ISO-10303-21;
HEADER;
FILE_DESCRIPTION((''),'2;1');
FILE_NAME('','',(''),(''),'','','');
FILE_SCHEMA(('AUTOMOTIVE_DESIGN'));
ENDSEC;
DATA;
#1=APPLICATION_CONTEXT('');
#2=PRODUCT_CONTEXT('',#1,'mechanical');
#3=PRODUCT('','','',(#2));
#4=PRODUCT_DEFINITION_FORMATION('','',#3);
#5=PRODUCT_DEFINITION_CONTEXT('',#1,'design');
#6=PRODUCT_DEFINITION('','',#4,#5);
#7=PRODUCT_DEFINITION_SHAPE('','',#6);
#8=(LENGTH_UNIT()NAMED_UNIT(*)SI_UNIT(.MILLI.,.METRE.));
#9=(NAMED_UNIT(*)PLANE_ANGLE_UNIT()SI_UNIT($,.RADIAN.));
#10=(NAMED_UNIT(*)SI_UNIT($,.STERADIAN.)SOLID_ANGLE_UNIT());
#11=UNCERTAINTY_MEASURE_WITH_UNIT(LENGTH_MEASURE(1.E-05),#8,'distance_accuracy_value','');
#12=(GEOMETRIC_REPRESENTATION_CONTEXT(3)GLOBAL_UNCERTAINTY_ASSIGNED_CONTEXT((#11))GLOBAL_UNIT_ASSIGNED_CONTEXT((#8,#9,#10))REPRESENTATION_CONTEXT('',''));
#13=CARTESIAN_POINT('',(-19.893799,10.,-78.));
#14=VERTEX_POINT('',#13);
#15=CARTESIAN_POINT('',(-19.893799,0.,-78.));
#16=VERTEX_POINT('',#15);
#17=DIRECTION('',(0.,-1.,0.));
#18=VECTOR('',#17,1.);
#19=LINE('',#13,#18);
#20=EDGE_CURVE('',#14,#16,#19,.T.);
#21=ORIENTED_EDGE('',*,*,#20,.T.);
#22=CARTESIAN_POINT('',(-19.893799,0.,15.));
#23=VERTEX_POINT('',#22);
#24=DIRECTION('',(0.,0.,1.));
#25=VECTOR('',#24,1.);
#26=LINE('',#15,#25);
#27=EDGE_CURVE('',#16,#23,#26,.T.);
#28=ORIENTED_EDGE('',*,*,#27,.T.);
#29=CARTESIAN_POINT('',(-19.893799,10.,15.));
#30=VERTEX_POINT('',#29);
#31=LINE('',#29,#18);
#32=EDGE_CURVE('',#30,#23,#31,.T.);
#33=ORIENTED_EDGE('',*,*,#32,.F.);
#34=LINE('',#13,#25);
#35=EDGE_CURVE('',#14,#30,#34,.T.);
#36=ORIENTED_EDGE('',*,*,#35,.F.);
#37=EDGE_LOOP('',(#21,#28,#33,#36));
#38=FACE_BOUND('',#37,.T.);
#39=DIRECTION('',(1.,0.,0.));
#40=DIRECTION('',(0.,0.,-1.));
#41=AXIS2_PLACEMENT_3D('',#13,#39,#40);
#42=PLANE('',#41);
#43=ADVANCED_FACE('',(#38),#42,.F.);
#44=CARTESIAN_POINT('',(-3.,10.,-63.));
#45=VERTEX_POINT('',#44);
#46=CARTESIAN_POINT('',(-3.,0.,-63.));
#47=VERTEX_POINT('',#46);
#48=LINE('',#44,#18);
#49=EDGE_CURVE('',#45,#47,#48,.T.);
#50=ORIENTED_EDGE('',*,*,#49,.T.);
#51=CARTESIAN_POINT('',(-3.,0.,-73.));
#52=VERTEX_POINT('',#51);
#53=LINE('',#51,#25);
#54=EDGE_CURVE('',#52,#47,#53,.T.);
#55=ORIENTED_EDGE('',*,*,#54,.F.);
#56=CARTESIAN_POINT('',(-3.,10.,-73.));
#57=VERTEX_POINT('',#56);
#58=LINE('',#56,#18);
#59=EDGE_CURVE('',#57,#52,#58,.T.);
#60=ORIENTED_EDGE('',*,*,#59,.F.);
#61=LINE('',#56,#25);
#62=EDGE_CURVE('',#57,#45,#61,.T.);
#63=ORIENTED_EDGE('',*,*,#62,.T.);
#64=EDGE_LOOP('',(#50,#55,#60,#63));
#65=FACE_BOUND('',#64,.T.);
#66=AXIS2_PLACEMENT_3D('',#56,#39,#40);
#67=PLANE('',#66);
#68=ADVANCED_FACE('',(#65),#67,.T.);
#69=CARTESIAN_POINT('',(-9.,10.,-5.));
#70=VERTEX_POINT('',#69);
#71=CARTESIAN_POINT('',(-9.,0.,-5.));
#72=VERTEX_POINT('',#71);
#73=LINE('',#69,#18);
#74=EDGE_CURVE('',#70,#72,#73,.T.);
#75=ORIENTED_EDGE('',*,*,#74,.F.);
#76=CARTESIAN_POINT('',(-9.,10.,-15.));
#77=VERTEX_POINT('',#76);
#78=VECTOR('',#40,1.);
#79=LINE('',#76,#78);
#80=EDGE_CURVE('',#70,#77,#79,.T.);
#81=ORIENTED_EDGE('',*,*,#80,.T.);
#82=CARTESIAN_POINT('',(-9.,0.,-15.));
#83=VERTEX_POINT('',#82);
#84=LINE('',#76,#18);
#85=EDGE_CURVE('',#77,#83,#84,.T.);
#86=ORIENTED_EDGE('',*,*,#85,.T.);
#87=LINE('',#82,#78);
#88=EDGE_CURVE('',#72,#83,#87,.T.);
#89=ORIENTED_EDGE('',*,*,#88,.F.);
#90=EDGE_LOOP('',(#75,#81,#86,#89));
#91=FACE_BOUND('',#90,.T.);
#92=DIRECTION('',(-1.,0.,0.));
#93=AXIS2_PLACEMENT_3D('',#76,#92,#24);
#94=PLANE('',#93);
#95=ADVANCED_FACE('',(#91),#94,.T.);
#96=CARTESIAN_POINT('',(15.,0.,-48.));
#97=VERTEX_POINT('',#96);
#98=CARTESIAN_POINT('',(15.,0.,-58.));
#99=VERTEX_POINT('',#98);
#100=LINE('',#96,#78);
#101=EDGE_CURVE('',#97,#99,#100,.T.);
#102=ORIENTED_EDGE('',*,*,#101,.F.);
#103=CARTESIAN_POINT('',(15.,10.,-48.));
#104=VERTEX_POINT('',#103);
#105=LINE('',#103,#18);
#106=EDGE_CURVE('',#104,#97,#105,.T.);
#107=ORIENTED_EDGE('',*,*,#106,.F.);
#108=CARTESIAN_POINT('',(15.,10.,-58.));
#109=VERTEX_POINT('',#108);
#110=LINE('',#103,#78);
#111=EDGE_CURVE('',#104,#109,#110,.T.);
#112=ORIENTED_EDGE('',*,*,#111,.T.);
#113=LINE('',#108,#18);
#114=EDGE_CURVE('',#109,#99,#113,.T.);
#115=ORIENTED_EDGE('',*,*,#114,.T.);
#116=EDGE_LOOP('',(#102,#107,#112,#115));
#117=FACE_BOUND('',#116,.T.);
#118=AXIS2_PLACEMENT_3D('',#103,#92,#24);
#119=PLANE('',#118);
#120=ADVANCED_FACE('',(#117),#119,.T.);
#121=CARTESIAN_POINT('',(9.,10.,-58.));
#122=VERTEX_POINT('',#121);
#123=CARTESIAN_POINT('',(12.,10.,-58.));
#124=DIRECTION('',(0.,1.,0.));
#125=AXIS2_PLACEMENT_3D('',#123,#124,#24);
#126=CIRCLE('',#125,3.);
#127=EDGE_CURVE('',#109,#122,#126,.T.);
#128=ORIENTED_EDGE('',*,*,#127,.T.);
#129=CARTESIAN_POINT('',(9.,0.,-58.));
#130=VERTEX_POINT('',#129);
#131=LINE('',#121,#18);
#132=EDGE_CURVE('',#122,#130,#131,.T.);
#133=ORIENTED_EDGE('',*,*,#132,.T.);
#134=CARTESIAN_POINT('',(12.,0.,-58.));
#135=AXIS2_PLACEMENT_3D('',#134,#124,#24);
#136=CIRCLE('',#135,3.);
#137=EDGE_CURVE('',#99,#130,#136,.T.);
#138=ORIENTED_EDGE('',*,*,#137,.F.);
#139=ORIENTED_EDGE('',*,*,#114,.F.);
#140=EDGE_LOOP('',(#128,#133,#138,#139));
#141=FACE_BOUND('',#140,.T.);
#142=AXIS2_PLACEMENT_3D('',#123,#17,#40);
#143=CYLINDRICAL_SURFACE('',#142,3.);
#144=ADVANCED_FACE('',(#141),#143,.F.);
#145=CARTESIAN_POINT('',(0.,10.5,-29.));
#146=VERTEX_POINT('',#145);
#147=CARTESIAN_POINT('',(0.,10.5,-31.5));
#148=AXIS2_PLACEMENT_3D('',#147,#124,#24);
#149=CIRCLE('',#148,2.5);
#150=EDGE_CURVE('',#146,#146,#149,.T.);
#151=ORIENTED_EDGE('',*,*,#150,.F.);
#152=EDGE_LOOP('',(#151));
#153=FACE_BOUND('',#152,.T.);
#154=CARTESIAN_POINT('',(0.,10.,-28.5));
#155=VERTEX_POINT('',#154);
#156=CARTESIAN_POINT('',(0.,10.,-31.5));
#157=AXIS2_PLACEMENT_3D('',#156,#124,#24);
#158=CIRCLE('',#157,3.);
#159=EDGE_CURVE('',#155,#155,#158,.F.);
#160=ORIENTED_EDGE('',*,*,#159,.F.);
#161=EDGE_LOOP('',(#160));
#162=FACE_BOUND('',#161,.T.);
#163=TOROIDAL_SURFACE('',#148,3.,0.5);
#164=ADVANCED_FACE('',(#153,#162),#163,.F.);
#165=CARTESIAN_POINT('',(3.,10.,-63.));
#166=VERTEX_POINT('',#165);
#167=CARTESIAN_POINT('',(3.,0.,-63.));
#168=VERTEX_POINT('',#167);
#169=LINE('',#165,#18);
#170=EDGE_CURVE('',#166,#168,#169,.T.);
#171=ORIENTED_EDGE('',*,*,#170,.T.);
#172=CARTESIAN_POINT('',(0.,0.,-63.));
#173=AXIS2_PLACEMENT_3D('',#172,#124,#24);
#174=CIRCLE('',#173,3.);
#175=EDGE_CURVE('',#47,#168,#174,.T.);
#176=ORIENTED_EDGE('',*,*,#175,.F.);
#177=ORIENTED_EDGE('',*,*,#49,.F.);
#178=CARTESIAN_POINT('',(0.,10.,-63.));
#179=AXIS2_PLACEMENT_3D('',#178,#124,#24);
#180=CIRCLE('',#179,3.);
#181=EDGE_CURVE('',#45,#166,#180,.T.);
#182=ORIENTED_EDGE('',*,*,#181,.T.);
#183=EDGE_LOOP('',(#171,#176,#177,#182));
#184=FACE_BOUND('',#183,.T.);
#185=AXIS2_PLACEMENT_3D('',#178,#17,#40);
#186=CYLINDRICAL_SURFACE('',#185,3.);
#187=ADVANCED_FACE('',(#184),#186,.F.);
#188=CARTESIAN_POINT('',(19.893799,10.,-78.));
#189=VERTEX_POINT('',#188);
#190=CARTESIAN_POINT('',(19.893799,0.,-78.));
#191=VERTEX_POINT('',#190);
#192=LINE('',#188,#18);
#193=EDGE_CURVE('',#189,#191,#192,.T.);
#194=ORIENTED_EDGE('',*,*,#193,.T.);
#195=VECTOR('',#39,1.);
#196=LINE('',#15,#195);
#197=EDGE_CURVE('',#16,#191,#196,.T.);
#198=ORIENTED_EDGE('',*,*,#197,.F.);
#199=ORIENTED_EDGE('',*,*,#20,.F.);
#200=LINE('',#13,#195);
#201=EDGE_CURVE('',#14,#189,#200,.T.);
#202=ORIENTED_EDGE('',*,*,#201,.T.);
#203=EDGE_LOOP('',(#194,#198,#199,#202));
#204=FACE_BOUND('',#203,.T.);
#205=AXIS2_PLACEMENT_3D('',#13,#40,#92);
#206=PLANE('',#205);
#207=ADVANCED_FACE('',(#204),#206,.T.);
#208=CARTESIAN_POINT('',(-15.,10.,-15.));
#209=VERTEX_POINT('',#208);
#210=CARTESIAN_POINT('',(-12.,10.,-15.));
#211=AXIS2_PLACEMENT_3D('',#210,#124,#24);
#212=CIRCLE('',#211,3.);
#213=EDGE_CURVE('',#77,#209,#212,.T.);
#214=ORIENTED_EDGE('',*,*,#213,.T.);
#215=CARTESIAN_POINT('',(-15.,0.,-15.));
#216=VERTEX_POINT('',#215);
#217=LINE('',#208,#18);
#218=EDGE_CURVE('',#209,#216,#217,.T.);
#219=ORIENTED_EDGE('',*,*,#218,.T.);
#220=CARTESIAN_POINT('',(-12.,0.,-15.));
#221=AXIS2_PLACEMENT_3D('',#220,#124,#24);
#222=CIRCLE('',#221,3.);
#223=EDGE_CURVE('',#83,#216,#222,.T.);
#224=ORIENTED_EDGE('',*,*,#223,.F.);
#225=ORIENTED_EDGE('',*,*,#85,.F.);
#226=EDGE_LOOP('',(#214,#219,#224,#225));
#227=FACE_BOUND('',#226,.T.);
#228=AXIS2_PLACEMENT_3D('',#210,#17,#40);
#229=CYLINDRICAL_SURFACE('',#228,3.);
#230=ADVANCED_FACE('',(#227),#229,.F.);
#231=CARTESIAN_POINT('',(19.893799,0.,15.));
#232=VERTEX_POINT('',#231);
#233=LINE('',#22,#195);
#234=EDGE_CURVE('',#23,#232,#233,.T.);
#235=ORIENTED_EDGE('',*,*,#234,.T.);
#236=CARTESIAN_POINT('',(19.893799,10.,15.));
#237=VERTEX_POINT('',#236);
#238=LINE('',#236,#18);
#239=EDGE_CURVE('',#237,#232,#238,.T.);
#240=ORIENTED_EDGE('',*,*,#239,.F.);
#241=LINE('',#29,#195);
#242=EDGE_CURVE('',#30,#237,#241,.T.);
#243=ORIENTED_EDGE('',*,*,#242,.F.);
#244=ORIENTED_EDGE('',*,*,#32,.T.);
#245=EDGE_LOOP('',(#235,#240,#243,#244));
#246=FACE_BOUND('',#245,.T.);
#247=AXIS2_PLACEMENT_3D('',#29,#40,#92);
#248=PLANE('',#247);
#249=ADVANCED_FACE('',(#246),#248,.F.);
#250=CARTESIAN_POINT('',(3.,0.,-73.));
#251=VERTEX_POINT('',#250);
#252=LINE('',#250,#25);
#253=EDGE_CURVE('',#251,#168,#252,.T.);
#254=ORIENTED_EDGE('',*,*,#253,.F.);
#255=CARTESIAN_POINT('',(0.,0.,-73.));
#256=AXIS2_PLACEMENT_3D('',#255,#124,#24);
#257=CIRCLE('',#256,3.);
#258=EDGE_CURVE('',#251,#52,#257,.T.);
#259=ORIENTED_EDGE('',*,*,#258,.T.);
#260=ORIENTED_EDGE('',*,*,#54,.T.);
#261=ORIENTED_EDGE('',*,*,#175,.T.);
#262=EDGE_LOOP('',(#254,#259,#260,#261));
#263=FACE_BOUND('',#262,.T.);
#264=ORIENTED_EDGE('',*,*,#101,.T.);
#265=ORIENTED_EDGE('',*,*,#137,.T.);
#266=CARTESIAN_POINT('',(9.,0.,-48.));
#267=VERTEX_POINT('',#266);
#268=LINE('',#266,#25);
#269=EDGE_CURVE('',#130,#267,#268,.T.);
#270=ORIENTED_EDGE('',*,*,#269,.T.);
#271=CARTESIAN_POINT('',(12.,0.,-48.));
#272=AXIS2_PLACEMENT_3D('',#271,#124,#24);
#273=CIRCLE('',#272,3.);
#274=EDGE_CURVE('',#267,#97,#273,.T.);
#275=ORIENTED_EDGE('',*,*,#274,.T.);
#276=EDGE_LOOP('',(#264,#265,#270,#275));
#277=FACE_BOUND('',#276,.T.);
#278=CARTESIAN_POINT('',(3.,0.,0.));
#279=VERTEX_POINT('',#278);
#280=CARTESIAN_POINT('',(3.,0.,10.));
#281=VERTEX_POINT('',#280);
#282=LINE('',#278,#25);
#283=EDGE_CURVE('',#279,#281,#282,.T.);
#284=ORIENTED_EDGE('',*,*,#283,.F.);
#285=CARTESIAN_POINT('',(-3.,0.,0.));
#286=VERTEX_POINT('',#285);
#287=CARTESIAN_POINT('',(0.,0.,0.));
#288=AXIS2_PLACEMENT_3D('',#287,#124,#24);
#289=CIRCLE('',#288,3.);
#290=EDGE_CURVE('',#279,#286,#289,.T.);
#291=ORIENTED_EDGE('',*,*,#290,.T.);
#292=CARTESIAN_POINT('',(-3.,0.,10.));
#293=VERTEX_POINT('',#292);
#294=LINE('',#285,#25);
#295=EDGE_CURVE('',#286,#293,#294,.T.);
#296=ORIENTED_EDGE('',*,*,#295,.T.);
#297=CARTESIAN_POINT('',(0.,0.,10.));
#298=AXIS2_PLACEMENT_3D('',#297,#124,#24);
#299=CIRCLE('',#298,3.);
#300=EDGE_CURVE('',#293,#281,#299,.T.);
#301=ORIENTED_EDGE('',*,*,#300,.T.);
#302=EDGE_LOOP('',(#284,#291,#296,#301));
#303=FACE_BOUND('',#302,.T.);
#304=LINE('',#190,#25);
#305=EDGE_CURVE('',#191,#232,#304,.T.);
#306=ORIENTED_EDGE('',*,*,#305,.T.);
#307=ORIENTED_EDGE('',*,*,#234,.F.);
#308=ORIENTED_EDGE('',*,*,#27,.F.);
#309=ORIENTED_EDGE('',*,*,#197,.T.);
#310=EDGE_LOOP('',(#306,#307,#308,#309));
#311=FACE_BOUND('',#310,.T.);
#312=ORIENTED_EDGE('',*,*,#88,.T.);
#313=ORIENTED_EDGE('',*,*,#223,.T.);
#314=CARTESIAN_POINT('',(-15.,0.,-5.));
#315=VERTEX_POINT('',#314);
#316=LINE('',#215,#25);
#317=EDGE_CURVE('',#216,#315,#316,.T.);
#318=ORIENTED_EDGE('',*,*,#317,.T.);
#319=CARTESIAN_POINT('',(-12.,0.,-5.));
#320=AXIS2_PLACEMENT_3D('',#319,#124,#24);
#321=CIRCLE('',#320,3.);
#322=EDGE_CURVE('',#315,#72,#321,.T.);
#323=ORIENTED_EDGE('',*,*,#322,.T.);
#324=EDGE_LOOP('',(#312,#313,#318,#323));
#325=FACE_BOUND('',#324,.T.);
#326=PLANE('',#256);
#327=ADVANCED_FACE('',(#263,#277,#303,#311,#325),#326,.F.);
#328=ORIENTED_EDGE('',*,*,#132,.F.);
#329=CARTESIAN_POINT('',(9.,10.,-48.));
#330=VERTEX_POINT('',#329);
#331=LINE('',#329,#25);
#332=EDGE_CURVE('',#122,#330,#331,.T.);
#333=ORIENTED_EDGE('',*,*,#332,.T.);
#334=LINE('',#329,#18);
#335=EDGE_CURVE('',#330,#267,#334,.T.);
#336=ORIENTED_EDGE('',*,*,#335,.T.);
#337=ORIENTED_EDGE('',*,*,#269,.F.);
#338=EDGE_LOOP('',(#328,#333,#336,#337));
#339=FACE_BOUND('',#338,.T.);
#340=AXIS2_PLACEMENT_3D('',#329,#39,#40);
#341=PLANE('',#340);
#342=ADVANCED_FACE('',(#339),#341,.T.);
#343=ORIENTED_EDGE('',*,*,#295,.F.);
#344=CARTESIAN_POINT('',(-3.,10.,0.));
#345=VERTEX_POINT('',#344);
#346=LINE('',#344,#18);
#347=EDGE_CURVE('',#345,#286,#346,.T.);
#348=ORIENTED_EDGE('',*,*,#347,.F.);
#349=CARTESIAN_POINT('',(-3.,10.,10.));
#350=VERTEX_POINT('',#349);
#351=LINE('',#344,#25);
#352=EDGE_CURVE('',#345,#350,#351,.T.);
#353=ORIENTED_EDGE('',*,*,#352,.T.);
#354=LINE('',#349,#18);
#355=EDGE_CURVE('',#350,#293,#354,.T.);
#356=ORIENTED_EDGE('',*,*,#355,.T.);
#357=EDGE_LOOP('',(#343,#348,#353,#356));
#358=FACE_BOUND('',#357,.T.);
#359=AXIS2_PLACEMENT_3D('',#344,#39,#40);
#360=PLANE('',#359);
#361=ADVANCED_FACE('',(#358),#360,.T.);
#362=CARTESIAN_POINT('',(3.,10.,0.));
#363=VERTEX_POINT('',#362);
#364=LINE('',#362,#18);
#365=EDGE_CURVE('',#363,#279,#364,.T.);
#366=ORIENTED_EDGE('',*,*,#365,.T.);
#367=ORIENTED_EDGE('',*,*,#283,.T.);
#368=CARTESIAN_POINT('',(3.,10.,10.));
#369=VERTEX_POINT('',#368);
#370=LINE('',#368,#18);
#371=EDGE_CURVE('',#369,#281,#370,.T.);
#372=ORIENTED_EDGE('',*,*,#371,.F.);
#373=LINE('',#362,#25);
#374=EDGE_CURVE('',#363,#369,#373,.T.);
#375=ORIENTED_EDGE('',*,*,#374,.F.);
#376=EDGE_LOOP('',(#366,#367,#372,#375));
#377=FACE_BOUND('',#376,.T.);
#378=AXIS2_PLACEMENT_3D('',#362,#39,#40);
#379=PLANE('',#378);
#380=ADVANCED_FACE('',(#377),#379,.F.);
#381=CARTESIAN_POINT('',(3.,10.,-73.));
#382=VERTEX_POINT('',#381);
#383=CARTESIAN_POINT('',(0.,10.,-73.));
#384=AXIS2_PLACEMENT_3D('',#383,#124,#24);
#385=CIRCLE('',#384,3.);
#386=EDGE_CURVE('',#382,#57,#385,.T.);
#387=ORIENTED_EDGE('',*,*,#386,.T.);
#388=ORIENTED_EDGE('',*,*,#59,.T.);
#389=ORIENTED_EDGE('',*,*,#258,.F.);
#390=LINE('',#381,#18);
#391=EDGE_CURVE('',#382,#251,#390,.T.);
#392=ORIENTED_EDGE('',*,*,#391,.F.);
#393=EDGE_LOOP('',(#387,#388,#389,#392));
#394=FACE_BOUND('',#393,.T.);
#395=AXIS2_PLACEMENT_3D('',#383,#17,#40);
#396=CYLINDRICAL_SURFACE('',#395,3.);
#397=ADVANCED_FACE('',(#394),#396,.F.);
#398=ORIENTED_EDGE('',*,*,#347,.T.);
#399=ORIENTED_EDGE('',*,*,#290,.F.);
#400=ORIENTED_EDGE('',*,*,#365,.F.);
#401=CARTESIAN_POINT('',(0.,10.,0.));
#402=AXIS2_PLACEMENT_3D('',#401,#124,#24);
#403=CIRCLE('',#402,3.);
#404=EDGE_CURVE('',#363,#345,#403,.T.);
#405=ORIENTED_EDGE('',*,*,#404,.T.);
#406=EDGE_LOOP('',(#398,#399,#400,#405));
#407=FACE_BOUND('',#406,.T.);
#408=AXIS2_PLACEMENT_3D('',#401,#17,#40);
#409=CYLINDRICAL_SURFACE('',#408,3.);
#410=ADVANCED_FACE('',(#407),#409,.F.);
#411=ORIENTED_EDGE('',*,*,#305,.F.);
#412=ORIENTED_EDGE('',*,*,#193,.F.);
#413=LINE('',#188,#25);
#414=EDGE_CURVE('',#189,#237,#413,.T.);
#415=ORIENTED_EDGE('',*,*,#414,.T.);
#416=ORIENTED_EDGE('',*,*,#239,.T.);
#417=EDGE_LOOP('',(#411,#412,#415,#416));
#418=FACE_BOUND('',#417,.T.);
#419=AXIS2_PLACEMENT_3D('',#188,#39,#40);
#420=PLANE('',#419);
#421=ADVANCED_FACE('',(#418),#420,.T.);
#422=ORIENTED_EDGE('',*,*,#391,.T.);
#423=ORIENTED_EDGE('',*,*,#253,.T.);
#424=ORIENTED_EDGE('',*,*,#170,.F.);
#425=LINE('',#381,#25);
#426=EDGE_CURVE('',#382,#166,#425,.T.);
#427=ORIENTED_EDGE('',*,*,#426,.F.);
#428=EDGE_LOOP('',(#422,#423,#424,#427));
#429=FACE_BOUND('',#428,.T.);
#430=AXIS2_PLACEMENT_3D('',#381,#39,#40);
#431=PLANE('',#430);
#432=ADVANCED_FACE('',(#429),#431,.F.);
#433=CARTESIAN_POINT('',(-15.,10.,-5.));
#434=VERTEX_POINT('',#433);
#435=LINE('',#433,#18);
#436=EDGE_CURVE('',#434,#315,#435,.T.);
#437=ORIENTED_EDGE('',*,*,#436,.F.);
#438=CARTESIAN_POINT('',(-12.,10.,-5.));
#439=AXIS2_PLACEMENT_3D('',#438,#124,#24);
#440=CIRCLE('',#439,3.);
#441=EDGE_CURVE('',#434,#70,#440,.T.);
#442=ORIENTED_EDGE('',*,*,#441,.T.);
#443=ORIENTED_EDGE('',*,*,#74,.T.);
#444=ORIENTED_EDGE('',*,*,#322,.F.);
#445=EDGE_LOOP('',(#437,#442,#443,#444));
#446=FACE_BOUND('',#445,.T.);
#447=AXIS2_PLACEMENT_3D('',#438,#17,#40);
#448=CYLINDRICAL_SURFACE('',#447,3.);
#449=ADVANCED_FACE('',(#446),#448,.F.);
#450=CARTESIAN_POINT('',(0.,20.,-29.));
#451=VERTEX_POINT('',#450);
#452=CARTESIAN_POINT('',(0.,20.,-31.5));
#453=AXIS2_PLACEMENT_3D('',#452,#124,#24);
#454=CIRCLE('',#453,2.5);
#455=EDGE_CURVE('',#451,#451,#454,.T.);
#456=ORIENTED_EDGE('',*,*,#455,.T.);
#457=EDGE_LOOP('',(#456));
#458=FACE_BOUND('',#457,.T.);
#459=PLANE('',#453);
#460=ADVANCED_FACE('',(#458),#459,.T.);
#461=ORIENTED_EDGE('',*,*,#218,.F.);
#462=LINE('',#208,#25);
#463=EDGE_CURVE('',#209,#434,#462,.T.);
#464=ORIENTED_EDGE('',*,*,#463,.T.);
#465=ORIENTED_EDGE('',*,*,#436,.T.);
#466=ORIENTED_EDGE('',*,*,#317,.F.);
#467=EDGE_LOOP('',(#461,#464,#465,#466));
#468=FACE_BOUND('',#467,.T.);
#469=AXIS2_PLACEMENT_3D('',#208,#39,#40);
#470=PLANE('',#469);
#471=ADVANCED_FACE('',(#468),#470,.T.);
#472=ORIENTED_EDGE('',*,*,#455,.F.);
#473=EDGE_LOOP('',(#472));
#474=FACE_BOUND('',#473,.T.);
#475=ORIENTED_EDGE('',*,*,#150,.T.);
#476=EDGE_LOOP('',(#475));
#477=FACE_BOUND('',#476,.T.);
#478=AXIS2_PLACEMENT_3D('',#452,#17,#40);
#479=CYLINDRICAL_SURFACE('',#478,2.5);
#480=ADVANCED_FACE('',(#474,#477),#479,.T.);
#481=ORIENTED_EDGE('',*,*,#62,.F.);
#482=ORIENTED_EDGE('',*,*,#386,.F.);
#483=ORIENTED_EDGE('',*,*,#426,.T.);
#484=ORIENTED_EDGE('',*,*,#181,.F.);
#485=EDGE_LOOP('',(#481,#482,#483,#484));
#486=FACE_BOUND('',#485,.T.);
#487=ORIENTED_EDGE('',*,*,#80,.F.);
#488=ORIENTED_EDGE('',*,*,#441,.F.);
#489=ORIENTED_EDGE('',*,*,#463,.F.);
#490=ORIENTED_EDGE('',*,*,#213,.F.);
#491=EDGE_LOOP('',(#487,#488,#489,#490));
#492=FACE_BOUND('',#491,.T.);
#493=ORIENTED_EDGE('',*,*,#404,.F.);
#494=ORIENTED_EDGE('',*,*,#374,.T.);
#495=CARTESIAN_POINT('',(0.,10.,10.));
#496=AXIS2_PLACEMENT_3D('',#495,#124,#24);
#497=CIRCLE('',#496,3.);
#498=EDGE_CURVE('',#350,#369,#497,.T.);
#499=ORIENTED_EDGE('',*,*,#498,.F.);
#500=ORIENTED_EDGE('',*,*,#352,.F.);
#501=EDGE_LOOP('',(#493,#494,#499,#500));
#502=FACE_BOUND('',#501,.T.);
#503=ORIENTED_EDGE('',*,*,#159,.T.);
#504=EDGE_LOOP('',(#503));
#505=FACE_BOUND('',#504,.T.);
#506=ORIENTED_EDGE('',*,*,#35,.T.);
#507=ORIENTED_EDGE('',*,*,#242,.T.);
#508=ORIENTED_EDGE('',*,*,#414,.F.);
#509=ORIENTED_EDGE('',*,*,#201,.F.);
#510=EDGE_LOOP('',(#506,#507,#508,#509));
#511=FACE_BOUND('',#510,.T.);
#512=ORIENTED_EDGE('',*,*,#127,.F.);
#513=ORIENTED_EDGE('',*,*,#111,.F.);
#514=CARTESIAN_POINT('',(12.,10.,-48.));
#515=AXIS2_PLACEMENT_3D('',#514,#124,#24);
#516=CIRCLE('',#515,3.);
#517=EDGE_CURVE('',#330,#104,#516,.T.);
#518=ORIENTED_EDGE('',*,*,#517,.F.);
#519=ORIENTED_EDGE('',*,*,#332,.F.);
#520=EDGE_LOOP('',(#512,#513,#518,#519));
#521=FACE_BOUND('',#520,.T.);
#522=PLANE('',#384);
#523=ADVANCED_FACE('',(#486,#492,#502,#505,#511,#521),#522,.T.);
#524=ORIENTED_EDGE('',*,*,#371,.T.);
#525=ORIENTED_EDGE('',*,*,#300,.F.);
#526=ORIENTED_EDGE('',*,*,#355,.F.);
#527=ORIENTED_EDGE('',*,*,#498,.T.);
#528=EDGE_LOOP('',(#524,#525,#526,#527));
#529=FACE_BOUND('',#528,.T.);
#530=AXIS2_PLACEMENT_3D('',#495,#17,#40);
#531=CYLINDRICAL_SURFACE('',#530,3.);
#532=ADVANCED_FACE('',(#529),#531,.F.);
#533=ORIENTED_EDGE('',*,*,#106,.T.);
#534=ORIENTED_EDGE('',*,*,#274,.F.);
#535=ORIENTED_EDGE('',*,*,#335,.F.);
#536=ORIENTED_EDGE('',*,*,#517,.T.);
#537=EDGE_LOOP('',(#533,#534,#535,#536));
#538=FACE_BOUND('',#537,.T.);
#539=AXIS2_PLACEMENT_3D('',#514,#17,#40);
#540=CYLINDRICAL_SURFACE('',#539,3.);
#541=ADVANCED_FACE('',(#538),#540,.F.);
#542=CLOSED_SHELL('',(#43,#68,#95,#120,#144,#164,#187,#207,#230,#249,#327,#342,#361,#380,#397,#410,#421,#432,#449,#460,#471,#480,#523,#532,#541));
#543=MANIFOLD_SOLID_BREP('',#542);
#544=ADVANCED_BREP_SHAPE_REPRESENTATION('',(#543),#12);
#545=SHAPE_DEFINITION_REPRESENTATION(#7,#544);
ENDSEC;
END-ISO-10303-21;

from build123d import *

# Parameters (mm, degrees)
BOSS_EXTRUDE1_DEPTH = 10
CUT_EXTRUDE1_DEPTH  = 82.115739792
SKETCH5_R           = 2.5
BOSS_EXTRUDE2_DEPTH = 10
FILLET1_R           = 0.5


with BuildPart() as part:
    # Sketch2 → Boss-Extrude1 (new body)
    with BuildSketch(Plane(origin=(0, 0, 0), x_dir=(1, 0, 0), z_dir=(0, 1, 0))):
        with BuildLine():
            Line((-19.893799085, 78), (0, 78))
            Line((0, 78), (0, 76))
            ThreePointArc((0, 76), (-2.121320344, 75.121320344), (-3, 73))
            Line((-3, 73), (-3, 63))
            ThreePointArc((-3, 63), (-2.121320344, 60.878679656), (0, 60))
            Line((0, 60), (0, 3))
            ThreePointArc((0, 3), (-2.121320344, 2.121320344), (-3, 0))
            Line((-3, 0), (-3, -10))
            ThreePointArc((-3, -10), (-2.121320344, -12.121320344), (0, -13))
            Line((0, -13), (0, -15))
            Line((0, -15), (-19.893799085, -15))
            Line((-19.893799085, -15), (-19.893799085, 78))
        make_face()
    boss_extrude1 = extrude(amount=BOSS_EXTRUDE1_DEPTH)

    # Mirror1: Boss-Extrude1 across Right Plane
    add(boss_extrude1.mirror(Plane(origin=(0, 0, 0), x_dir=(0, 0, -1), z_dir=(1, 0, 0))))

    # Sketch4 → Cut-Extrude1 (cut, through all)
    with BuildSketch(Plane(origin=(0, 0, 0), x_dir=(1, 0, 0), z_dir=(0, 1, 0))):
        with BuildLine():
            Line((-15, 15), (-15, 5))
            ThreePointArc((-15, 5), (-12, 2), (-9, 5))
            Line((-9, 5), (-9, 15))
            ThreePointArc((-9, 15), (-12, 18), (-15, 15))
        make_face()
        with BuildLine():
            Line((15, 48), (15, 58))
            ThreePointArc((15, 58), (12, 61), (9, 58))
            Line((9, 58), (9, 48))
            ThreePointArc((9, 48), (12, 45), (15, 48))
        make_face()
    extrude(amount=CUT_EXTRUDE1_DEPTH, mode=Mode.SUBTRACT)

    # Sketch5 → Boss-Extrude2 (add)
    with BuildSketch(Plane(origin=(0, 10, 0), x_dir=(1, 0, 0), z_dir=(0, 1, 0))):
        with Locations(Location((0, 31.5, 0), (0, 0, 270))):
            Circle(SKETCH5_R)
    extrude(amount=BOSS_EXTRUDE2_DEPTH)

    # Fillet1
    fillet1_edges = [part.edges().sort_by_distance(p)[0] for p in [
        (0, 10, -34),
    ]]
    fillet(fillet1_edges, radius=FILLET1_R)


solid = part.part
